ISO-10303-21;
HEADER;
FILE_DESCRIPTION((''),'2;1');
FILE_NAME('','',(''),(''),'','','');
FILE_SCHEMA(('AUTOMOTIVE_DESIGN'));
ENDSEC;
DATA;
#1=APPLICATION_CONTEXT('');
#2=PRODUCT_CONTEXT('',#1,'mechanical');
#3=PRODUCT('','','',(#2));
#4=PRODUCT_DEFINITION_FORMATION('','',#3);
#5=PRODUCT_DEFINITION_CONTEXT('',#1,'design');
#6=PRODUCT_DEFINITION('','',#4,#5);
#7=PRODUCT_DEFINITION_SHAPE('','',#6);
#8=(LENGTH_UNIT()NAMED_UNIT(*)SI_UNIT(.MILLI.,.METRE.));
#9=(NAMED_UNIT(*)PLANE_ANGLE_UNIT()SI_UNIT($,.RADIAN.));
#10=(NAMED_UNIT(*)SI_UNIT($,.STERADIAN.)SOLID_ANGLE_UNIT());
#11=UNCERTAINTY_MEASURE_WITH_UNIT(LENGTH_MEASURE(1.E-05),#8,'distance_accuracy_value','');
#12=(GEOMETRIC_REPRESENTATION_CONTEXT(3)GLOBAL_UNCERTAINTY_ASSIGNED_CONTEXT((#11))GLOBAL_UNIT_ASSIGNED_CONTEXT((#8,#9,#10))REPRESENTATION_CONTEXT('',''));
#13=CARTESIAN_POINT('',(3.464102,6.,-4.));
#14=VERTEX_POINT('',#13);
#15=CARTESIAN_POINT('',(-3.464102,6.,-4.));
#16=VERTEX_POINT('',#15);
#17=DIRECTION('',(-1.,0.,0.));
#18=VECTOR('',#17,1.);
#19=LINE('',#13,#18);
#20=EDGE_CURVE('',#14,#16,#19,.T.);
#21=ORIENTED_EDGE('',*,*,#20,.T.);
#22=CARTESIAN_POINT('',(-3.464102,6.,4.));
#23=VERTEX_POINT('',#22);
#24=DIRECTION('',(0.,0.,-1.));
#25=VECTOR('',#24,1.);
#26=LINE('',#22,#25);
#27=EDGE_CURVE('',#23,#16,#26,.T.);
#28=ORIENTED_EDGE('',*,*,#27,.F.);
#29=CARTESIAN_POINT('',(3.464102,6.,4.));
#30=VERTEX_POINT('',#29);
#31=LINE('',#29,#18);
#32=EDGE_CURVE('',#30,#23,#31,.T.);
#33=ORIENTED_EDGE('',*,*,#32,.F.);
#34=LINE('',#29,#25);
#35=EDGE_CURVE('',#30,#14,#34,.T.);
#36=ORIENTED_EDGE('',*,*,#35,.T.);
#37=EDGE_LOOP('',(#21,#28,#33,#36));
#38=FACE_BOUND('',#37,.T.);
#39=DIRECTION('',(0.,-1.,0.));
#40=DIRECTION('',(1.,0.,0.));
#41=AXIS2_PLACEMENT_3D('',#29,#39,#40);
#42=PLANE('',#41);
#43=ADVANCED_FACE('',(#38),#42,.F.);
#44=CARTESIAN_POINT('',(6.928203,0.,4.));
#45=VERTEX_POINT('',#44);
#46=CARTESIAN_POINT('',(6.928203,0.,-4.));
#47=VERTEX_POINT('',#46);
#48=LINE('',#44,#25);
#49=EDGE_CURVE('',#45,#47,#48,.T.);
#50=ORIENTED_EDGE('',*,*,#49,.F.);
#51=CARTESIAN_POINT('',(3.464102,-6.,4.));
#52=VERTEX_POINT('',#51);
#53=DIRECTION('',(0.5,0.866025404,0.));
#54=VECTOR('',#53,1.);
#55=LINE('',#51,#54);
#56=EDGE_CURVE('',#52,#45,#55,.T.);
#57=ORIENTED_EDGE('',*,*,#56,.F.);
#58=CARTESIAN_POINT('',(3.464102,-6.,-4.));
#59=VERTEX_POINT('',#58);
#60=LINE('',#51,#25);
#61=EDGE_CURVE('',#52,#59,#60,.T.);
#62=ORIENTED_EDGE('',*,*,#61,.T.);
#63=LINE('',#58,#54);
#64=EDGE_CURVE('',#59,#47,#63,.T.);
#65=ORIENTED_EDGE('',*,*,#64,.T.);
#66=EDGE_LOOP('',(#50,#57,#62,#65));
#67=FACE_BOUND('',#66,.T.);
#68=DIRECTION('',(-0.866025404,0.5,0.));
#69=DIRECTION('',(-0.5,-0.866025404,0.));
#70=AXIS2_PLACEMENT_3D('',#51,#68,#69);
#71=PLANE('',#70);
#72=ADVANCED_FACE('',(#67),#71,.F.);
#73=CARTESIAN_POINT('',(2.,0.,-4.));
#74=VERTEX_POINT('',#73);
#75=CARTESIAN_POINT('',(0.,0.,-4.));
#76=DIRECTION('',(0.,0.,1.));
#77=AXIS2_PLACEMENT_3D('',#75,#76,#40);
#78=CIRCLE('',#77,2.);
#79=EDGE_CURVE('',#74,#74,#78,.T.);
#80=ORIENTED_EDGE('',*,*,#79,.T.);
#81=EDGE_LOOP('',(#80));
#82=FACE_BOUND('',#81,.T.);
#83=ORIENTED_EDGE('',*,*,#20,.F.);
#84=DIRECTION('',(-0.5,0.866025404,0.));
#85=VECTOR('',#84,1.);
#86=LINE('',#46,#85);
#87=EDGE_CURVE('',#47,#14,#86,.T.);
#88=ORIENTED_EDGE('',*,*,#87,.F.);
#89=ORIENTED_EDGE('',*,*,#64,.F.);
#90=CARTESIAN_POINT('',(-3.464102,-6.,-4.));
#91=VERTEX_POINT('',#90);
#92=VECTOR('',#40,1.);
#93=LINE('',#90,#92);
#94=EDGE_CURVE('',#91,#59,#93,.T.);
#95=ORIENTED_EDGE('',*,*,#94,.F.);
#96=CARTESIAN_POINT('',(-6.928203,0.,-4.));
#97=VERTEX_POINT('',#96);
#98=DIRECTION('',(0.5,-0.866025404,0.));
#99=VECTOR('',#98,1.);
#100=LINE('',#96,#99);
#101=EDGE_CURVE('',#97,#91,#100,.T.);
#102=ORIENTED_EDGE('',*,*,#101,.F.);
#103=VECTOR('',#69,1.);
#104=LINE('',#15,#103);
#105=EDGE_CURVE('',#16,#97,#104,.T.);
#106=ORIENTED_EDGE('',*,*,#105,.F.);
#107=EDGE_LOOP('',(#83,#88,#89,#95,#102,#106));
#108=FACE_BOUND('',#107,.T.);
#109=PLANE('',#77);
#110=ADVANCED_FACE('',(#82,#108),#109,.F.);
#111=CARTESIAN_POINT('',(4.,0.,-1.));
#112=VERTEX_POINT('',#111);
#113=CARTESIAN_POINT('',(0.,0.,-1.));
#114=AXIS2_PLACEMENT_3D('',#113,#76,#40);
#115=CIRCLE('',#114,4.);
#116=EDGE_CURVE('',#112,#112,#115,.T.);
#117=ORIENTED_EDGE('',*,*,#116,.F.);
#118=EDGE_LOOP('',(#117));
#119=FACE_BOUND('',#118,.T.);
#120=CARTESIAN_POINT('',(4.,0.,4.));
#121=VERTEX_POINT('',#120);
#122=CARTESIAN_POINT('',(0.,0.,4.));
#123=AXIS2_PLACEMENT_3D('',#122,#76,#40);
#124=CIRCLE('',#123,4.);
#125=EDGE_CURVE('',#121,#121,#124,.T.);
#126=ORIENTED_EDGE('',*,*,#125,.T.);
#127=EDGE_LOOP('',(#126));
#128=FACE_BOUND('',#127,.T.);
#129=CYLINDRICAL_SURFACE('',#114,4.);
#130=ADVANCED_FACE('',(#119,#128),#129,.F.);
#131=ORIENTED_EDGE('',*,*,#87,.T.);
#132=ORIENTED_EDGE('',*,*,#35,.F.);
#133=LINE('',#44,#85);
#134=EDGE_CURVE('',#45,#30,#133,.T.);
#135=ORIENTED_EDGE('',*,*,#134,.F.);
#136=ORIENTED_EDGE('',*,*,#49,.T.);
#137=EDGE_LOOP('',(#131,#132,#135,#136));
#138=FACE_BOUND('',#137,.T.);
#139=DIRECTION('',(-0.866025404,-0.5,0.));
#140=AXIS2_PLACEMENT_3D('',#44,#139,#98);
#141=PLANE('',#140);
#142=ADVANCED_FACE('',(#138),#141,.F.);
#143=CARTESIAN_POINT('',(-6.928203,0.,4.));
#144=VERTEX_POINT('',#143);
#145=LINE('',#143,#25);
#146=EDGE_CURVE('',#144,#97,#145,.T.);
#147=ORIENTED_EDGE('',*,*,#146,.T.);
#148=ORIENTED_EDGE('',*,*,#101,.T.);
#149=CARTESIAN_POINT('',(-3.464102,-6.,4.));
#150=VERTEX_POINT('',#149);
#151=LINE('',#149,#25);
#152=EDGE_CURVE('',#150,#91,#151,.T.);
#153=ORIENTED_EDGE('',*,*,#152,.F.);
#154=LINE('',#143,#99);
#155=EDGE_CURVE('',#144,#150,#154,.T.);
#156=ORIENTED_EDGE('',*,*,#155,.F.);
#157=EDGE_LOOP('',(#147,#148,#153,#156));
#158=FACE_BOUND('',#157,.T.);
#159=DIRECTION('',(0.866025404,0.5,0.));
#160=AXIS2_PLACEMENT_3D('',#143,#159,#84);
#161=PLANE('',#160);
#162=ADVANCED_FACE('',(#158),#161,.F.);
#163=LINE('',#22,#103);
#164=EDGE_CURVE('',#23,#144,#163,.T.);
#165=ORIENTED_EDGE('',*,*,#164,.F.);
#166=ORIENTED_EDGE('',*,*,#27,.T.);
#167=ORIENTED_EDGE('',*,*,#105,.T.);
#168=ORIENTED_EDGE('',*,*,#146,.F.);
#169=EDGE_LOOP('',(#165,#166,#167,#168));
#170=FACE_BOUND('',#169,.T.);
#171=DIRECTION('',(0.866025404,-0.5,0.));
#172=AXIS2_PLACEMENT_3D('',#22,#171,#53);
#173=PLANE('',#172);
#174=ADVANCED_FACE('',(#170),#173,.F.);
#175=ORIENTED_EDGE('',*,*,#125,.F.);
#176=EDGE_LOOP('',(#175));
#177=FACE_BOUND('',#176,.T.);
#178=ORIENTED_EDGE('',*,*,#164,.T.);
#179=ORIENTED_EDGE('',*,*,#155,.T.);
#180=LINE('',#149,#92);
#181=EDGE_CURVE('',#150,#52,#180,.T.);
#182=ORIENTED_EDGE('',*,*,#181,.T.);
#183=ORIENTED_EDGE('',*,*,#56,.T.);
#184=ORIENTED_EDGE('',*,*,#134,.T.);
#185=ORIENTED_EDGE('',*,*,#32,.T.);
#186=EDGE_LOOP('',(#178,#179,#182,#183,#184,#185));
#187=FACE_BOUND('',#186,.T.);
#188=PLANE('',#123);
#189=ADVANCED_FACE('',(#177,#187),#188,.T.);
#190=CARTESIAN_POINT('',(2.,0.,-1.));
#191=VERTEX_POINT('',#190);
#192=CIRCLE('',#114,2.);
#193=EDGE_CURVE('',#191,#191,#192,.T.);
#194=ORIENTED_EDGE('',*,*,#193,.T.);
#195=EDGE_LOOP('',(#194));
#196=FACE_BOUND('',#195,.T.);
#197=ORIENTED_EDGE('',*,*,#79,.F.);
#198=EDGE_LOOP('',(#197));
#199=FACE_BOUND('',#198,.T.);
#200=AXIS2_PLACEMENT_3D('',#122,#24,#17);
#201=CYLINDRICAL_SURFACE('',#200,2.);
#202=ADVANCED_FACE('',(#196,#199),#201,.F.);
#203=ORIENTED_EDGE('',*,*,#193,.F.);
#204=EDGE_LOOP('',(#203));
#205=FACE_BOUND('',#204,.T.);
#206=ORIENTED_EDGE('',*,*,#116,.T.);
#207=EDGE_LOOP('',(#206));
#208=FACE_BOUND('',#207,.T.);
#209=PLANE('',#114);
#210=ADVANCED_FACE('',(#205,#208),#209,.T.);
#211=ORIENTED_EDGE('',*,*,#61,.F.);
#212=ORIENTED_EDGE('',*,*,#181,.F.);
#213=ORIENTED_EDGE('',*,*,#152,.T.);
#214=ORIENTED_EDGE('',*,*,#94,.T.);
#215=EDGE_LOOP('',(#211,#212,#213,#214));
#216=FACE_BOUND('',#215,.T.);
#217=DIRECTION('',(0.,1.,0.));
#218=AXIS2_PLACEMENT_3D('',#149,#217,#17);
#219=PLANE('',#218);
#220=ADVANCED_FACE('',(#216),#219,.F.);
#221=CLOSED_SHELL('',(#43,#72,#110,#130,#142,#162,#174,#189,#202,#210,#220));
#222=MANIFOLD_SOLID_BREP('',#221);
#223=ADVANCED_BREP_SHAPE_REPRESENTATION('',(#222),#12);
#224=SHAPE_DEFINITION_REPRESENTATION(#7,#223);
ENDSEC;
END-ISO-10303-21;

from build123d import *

# Parameters (mm, degrees)
SKETCH1_R           = 2
BOSS_EXTRUDE1_DEPTH = 4
SKETCH2_R           = 4
CUT_EXTRUDE1_DEPTH  = 5


with BuildPart() as part:
    # Sketch1 → Boss-Extrude1 (new, symmetric)
    with BuildSketch(Plane.XY):
        Polygon((6.92820323, 0), (3.464101615, 6), (-3.464101615, 6), (-6.92820323, 0), (-3.464101615, -6), (3.464101615, -6), align=None)
        Circle(SKETCH1_R, mode=Mode.SUBTRACT)
    extrude(amount=BOSS_EXTRUDE1_DEPTH, both=True)

    # Sketch2 → Cut-Extrude1 (cut)
    with BuildSketch(Plane.XY.offset(4)):
        Circle(SKETCH2_R)
    extrude(amount=-CUT_EXTRUDE1_DEPTH, mode=Mode.SUBTRACT)


solid = part.part
